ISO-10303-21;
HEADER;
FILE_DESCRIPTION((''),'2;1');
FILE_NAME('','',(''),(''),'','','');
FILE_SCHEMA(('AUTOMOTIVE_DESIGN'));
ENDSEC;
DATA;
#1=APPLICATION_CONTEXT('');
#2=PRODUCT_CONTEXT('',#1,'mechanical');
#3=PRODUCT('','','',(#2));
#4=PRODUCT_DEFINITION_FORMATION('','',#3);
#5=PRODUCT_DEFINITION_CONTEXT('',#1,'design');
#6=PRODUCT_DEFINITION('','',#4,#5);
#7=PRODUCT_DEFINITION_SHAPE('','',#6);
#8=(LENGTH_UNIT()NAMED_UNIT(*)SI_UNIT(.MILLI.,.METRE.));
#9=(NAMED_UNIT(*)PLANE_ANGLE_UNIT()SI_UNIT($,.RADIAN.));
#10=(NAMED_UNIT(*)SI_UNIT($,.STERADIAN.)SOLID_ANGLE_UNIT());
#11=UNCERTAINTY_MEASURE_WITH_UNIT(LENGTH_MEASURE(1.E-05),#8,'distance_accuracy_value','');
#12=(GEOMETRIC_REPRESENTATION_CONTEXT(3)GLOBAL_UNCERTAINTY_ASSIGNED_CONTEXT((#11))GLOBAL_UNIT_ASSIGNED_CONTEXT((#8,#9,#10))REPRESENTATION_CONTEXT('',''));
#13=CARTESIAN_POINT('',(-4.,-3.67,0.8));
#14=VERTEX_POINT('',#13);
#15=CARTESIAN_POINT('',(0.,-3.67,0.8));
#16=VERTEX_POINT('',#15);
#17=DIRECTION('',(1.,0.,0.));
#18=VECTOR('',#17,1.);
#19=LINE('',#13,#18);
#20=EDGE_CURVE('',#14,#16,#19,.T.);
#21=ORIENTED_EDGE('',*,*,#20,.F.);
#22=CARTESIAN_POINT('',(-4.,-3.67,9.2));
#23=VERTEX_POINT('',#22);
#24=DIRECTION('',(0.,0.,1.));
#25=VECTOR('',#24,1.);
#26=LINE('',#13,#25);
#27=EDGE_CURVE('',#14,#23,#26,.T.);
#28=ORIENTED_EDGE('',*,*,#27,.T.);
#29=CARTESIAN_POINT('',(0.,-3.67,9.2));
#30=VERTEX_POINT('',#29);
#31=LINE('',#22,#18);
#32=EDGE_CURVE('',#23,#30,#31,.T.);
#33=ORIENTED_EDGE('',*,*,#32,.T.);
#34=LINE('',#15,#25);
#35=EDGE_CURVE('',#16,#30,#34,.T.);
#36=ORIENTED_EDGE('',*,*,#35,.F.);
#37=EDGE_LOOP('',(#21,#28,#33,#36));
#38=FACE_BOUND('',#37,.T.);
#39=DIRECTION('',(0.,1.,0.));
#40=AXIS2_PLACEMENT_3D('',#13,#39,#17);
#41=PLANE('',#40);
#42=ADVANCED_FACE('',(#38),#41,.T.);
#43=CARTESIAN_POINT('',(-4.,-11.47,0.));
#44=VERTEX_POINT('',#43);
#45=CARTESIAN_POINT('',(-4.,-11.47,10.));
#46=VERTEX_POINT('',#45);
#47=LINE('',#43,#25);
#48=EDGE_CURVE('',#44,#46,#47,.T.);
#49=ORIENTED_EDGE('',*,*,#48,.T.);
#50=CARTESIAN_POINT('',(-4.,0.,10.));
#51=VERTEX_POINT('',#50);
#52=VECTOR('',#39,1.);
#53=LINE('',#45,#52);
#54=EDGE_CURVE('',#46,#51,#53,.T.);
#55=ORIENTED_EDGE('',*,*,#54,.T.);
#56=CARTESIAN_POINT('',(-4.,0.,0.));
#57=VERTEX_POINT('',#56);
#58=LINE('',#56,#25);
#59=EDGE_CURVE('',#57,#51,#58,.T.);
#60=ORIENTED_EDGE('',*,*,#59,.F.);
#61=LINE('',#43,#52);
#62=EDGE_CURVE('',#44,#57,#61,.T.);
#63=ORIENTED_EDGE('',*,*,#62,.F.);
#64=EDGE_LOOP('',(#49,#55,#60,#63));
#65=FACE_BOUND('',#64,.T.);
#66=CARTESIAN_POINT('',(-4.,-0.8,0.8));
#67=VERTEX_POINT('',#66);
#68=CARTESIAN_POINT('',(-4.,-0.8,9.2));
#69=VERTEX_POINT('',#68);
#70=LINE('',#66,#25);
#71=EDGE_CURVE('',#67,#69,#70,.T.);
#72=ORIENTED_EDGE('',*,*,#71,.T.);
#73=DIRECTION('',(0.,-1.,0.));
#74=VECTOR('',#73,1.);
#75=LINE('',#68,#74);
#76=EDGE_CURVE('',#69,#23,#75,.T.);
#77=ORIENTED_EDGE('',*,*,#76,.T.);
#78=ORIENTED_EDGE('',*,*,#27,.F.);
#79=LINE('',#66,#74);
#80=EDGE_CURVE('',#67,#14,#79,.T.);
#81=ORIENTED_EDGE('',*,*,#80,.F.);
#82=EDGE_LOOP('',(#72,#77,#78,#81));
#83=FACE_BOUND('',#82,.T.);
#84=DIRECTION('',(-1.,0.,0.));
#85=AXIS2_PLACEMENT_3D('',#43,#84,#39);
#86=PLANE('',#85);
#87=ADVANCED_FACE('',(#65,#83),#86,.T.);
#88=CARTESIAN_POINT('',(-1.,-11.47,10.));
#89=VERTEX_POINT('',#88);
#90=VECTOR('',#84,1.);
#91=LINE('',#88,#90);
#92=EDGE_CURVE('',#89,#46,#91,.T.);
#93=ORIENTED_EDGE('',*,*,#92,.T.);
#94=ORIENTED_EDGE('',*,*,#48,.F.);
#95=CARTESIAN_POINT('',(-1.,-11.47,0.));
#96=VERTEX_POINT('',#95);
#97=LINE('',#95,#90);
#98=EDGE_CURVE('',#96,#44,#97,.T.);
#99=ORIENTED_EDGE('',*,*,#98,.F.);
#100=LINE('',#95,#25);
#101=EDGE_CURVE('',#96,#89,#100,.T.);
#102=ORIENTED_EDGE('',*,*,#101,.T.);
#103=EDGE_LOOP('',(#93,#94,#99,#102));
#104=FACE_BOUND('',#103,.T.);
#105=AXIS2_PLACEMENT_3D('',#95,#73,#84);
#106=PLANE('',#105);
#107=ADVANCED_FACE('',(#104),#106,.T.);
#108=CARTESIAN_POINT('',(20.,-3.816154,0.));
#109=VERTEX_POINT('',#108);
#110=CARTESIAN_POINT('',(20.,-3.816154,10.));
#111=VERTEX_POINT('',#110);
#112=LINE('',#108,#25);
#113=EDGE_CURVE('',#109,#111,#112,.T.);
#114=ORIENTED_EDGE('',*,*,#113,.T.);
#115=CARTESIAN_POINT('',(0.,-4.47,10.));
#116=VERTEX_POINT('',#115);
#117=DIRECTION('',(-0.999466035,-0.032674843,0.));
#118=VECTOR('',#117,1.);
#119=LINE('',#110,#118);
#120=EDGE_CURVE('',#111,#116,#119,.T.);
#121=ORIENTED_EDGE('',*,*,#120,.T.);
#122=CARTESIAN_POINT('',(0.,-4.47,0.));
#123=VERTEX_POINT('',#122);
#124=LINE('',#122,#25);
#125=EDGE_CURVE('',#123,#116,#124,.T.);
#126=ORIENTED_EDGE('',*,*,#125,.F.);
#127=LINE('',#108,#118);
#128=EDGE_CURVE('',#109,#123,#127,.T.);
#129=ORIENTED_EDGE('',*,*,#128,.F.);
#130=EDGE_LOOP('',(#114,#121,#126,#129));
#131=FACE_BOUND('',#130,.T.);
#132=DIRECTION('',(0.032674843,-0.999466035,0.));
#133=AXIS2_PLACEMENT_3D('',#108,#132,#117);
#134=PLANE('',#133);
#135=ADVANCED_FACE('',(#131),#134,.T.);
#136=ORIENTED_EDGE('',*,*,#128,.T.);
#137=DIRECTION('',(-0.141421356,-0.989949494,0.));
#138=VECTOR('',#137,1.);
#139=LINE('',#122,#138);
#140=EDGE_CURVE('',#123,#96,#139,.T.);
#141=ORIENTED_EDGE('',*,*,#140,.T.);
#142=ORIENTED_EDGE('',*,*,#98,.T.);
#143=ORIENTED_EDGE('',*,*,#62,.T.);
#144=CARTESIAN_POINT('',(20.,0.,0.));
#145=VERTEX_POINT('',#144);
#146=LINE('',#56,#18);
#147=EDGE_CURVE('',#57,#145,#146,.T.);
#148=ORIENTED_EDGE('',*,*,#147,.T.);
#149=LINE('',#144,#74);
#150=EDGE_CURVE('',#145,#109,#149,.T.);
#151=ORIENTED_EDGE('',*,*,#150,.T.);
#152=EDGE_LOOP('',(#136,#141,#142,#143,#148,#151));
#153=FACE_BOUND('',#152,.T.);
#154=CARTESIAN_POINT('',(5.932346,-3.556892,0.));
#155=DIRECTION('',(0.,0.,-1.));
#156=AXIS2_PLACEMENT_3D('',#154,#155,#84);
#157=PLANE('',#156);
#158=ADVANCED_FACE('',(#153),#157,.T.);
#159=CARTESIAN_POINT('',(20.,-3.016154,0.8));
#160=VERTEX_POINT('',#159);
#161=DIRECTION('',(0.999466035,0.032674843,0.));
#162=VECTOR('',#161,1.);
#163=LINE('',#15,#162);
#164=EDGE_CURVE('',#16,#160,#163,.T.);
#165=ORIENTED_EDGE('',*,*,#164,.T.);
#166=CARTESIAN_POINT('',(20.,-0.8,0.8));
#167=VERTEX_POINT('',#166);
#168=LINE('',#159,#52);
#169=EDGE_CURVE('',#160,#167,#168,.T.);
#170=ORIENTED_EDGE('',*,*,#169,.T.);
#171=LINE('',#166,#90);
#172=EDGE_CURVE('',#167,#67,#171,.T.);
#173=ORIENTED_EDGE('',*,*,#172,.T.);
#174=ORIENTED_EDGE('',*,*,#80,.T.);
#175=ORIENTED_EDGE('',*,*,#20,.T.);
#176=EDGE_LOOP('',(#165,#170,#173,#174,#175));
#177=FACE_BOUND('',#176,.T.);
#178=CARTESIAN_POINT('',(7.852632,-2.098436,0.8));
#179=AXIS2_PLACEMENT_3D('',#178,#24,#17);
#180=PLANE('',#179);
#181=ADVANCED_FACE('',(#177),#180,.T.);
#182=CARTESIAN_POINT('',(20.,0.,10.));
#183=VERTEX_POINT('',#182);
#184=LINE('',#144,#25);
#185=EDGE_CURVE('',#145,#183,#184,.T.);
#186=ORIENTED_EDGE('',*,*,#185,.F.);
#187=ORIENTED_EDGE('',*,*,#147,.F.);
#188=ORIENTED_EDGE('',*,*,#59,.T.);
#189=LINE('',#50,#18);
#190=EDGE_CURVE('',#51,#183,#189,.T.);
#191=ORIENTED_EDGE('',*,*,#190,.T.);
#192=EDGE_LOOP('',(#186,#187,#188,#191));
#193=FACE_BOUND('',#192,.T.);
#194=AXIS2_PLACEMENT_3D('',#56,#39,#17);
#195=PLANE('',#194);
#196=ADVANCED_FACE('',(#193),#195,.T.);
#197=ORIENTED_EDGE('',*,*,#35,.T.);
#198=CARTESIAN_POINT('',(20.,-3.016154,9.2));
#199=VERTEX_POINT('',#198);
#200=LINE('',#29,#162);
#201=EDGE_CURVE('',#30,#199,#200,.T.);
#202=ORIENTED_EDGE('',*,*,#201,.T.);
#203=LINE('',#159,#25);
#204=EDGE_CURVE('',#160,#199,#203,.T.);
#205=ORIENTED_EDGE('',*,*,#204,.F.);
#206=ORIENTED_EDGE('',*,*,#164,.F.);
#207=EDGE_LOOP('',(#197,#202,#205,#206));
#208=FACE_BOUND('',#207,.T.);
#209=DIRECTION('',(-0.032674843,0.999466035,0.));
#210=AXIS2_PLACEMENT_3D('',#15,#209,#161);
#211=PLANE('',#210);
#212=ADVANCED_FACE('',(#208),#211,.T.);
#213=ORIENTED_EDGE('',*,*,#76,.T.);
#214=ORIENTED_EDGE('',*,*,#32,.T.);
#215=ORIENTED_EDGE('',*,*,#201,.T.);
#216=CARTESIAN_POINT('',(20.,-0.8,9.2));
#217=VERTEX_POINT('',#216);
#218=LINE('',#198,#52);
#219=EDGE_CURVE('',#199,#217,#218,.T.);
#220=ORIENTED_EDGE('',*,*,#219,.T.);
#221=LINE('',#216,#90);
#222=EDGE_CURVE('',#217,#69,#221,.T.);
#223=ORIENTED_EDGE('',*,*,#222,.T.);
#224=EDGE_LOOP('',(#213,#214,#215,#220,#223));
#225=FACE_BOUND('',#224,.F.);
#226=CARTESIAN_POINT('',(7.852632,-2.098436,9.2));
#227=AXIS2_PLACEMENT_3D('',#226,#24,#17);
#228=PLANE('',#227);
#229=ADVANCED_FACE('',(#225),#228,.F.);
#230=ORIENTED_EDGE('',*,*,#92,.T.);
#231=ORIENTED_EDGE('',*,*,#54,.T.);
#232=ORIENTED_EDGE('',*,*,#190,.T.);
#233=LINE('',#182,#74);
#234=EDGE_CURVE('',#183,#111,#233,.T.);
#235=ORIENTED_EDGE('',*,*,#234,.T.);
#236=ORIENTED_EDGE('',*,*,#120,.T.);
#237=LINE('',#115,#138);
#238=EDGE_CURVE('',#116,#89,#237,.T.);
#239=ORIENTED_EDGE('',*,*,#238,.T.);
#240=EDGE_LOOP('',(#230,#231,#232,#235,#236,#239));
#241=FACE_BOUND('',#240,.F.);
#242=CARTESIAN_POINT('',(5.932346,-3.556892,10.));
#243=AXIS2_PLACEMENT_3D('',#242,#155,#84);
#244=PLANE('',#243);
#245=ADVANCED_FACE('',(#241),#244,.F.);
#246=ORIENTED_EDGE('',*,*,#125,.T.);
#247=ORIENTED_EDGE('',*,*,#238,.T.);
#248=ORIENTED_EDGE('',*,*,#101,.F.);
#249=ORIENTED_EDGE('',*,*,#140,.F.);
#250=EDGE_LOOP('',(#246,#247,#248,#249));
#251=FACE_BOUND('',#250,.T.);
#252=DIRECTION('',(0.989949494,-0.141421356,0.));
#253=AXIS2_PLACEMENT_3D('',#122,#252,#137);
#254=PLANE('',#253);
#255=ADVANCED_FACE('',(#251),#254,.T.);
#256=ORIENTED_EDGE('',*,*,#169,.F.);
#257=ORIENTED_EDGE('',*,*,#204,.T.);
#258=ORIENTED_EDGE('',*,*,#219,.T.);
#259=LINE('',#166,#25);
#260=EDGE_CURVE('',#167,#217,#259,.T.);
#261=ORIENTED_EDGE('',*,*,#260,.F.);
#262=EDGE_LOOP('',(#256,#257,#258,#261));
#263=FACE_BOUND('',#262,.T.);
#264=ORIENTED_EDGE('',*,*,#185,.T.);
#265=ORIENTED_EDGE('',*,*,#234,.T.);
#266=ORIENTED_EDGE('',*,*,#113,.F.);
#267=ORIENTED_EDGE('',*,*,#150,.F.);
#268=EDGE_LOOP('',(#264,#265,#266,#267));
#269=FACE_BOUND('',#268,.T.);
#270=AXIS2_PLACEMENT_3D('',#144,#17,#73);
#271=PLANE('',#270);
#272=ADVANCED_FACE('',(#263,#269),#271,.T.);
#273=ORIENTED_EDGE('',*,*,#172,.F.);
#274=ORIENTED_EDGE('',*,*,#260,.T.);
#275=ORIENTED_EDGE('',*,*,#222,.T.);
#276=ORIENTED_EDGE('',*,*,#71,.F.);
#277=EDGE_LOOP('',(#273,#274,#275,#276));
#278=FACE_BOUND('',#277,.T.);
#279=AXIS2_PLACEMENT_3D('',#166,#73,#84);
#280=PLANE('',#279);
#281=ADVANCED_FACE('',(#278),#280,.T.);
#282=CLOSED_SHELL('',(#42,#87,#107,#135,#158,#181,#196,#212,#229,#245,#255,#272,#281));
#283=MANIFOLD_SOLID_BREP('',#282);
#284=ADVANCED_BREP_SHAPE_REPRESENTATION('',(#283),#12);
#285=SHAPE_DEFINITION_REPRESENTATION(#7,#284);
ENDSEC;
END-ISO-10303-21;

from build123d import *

# Parameters (mm, degrees)
PAD001_DEPTH = 8.4
PAD_DEPTH    = 10


with BuildPart() as pegcutoutpad:
    # Sketch001 → Pad001 (new body)
    with BuildSketch(Plane.XY.offset(0.8)):
        Polygon((20, -0.8), (-4, -0.8), (-4, -3.67), (0, -3.67), (20, -3.016154), align=None)
    extrude(amount=PAD001_DEPTH)


with BuildPart() as pegcut:
    # Sketch → Pad (new body)
    with BuildSketch(Plane.XY):
        Polygon((20, 0), (20, -3.816154), (0, -4.47), (-1, -11.47), (-4, -11.47), (-4, 0), align=None)
    extrude(amount=PAD_DEPTH)

    # Cut: cut PegCutOutPad
    add(pegcutoutpad.part, mode=Mode.SUBTRACT)


solid = pegcut.part
